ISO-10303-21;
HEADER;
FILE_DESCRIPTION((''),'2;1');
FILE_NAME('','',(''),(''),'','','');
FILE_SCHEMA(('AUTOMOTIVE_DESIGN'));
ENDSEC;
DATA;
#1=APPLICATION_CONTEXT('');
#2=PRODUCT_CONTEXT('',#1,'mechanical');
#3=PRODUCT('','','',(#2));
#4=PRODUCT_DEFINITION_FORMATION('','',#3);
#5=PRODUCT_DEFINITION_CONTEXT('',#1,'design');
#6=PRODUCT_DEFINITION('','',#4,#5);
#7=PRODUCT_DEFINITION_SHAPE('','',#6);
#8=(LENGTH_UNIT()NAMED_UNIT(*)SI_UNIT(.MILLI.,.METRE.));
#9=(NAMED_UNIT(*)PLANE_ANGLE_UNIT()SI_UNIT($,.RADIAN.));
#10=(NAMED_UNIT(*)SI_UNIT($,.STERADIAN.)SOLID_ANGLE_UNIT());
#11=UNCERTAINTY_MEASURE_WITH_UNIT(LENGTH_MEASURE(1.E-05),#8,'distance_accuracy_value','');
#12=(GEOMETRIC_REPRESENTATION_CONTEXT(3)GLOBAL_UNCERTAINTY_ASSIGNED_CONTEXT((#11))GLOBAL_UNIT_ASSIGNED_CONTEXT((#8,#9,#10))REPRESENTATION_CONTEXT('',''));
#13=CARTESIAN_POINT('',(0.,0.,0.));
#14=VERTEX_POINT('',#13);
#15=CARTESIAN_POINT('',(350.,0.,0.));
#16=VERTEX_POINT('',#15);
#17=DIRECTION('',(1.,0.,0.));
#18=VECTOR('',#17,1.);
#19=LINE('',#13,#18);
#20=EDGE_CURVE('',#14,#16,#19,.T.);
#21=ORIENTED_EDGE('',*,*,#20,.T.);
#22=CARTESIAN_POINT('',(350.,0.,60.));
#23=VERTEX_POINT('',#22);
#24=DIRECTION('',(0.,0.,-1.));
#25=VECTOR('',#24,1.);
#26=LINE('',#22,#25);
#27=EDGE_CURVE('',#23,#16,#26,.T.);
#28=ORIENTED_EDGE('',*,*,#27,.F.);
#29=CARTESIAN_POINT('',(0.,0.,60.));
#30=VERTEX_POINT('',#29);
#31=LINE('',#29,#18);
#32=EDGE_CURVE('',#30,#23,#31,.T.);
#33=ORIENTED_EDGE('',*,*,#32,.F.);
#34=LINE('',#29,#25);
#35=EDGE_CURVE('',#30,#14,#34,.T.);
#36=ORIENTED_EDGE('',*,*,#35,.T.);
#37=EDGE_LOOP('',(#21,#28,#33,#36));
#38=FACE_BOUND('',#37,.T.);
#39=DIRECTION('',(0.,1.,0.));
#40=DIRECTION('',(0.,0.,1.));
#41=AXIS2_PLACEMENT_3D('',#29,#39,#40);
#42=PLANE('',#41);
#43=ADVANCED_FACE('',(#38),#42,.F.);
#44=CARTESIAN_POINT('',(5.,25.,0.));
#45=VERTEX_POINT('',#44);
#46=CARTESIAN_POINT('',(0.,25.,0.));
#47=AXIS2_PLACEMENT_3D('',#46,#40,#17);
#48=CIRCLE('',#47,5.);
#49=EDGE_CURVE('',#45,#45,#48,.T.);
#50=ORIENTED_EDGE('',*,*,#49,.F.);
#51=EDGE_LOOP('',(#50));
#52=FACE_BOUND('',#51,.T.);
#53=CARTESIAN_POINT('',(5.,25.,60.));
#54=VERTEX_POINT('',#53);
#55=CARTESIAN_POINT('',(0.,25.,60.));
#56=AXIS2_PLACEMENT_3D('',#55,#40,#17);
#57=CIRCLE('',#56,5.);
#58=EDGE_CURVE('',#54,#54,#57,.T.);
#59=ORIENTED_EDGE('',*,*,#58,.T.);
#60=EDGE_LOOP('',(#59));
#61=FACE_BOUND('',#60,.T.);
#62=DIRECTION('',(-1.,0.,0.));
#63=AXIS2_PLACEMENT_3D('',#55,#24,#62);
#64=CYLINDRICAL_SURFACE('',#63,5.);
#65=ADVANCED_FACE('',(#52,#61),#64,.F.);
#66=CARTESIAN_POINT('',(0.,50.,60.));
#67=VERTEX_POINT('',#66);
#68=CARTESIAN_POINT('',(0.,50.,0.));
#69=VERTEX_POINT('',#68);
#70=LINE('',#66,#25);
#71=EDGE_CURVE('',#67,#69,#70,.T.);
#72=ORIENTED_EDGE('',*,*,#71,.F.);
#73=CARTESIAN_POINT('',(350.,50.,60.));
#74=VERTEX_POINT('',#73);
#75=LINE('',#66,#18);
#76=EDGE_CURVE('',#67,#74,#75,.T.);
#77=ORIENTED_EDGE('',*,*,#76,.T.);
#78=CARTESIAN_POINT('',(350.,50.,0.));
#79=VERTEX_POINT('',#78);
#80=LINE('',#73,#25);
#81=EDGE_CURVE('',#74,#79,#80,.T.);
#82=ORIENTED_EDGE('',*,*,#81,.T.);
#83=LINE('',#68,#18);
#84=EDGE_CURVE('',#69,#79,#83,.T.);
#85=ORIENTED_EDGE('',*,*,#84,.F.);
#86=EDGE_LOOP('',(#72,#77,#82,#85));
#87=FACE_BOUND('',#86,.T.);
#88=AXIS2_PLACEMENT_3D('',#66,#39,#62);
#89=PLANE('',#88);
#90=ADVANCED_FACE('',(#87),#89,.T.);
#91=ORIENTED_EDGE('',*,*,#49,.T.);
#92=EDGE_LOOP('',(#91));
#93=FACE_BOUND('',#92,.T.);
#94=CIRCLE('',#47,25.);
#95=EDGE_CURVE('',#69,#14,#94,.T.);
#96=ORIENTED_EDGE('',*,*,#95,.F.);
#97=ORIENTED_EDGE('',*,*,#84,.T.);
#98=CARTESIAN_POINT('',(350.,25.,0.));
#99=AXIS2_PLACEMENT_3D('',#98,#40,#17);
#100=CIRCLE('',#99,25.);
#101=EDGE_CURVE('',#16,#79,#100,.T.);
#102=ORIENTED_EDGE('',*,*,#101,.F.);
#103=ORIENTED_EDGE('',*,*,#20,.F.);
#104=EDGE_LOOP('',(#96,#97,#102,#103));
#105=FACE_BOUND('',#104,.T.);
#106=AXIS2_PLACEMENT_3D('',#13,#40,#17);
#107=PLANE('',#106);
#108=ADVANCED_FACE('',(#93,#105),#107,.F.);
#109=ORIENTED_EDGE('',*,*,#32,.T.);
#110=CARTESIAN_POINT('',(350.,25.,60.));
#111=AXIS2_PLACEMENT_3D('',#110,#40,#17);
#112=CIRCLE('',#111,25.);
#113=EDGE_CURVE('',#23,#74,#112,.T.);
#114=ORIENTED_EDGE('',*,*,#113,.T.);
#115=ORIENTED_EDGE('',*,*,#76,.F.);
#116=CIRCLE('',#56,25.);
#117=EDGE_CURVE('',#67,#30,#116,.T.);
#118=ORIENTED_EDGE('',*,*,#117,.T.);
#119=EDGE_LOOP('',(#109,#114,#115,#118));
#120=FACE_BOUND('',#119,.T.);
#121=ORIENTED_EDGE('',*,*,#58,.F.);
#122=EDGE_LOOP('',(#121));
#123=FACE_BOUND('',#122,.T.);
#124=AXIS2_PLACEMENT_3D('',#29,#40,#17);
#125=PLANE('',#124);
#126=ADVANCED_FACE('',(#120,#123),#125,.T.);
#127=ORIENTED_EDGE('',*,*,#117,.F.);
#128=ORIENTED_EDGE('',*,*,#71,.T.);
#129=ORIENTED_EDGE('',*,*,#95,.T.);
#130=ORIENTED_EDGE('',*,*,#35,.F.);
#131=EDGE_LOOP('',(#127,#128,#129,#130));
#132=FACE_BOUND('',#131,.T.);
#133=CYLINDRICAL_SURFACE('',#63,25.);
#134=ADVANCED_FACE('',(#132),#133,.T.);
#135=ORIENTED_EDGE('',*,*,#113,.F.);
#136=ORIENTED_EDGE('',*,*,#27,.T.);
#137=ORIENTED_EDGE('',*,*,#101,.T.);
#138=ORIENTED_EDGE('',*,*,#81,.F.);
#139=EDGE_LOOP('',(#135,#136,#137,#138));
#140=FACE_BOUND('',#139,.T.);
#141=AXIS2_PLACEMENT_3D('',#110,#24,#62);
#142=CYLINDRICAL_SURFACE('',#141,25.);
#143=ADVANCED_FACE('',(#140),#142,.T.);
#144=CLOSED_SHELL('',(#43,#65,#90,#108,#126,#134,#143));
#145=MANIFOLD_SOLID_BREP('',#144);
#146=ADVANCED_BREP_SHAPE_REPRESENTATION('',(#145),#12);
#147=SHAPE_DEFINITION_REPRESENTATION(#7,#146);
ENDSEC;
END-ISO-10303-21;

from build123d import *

# Parameters (mm, degrees)
SKETCH_1_R      = 5
EXTRUDE_1_DEPTH = 60


with BuildPart() as part:
    # 草图1 → 凸台-拉伸1 (new body)
    with BuildSketch(Plane.XY):
        with BuildLine():
            Line((0, 0), (350, 0))
            ThreePointArc((350, 0), (375, 25), (350, 50))
            Line((350, 50), (0, 50))
            ThreePointArc((0, 50), (-25, 25), (0, 0))
        make_face()
        with Locations((0, 25)):
            Circle(SKETCH_1_R, mode=Mode.SUBTRACT)
    extrude(amount=EXTRUDE_1_DEPTH)


solid = part.part
